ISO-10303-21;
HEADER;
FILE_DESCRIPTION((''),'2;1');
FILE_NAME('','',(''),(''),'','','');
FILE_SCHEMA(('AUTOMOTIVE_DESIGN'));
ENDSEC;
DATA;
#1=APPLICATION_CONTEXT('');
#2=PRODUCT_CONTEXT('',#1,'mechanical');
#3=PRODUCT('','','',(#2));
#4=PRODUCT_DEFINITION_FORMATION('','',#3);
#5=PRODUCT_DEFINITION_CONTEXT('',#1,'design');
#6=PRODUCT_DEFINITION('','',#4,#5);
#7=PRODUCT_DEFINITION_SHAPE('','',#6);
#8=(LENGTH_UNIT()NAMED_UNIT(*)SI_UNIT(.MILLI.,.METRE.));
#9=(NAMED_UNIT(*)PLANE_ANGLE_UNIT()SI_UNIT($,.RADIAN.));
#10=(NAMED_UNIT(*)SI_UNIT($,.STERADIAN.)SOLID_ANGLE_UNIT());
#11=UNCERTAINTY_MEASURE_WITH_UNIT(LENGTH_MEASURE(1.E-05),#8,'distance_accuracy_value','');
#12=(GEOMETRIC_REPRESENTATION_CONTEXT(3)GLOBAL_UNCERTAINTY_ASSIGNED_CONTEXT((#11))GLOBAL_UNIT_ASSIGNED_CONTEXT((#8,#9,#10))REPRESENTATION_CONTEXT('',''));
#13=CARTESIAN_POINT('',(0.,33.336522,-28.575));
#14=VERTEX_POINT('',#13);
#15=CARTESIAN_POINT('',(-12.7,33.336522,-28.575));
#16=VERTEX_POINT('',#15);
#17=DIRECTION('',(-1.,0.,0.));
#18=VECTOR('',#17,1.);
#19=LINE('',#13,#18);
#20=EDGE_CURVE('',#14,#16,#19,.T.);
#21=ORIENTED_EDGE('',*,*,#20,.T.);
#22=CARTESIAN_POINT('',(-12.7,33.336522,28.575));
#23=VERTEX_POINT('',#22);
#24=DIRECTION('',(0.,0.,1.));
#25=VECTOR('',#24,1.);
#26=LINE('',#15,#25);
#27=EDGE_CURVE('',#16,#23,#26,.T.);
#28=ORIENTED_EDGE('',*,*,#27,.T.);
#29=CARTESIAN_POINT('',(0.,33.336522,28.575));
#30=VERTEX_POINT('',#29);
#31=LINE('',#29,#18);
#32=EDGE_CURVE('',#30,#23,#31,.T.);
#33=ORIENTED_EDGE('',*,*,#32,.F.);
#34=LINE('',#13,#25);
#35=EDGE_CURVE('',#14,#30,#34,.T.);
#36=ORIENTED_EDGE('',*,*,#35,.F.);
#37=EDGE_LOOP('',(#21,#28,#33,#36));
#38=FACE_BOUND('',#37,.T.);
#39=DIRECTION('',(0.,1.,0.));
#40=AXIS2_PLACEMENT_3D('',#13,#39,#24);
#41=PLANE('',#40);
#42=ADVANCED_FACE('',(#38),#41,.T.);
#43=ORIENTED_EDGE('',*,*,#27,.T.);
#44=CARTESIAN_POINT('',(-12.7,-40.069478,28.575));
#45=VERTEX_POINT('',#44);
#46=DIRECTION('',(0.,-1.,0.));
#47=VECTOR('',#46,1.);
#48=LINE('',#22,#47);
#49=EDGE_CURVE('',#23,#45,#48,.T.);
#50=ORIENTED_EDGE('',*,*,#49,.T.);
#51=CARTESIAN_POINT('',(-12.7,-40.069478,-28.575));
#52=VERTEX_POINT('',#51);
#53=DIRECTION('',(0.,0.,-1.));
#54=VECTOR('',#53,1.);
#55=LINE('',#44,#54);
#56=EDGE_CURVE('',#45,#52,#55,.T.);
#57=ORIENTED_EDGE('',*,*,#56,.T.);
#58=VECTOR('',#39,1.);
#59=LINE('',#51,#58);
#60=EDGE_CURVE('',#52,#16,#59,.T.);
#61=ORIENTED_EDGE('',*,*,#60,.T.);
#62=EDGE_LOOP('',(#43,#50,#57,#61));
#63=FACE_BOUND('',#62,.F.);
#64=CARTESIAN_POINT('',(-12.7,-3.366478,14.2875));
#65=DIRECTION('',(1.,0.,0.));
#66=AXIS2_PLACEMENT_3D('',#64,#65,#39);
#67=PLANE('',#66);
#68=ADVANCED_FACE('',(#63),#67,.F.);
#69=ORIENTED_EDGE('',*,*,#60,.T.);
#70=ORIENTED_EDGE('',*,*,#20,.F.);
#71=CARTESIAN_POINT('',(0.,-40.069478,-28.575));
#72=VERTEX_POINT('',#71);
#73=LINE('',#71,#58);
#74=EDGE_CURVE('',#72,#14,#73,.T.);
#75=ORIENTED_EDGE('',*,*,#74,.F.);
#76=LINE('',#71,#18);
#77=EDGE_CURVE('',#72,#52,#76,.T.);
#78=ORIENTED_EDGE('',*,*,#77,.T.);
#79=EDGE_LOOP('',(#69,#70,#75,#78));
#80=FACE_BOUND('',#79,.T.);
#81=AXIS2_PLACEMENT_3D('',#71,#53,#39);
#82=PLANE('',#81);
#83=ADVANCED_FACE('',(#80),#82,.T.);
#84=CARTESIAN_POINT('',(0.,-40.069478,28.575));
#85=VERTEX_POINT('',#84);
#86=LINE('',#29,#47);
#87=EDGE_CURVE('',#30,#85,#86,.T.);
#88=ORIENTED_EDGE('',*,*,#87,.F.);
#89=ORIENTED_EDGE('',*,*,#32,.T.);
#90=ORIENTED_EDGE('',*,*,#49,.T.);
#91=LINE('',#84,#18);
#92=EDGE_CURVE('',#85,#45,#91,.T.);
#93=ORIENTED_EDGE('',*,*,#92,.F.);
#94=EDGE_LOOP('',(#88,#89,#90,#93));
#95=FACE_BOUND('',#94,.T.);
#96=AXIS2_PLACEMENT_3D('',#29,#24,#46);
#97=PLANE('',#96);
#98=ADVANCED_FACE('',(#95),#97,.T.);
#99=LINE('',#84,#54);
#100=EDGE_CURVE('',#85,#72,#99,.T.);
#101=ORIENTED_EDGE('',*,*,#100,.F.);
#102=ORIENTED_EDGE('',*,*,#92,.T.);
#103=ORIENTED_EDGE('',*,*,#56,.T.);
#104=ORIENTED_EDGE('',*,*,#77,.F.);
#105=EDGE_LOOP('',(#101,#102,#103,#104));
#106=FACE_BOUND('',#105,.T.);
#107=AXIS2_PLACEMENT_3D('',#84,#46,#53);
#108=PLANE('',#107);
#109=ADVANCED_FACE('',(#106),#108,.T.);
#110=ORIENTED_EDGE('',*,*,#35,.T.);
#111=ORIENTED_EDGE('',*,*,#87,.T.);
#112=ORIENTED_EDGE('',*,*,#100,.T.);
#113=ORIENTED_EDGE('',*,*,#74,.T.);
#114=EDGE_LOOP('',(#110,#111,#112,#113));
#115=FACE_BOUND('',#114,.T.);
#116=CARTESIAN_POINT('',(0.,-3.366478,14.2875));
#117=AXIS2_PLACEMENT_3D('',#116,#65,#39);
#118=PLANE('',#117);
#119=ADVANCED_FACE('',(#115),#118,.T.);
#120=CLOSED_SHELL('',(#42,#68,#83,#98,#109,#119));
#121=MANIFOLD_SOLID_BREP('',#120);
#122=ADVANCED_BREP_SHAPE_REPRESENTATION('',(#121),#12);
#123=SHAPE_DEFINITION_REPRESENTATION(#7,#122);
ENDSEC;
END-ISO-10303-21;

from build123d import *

# Parameters (mm, degrees)
F1_DEPTH = 12.7


with BuildPart() as f1:
    # F0 (on Right) → F1 (new body)
    with BuildSketch(Plane.YZ):
        Polygon((-40.069478, 0), (33.336522, 0), (33.336522, 28.575), (-15.431478, 28.575), (-33.719478, 28.575), (-40.069478, 28.575), align=None)
        Polygon((33.336522, -28.575), (33.336522, 0), (-40.069478, 0), (-40.069478, -28.575), (-33.719478, -28.575), (-15.431478, -28.575), align=None)
    extrude(amount=-F1_DEPTH)


solid = f1.part
